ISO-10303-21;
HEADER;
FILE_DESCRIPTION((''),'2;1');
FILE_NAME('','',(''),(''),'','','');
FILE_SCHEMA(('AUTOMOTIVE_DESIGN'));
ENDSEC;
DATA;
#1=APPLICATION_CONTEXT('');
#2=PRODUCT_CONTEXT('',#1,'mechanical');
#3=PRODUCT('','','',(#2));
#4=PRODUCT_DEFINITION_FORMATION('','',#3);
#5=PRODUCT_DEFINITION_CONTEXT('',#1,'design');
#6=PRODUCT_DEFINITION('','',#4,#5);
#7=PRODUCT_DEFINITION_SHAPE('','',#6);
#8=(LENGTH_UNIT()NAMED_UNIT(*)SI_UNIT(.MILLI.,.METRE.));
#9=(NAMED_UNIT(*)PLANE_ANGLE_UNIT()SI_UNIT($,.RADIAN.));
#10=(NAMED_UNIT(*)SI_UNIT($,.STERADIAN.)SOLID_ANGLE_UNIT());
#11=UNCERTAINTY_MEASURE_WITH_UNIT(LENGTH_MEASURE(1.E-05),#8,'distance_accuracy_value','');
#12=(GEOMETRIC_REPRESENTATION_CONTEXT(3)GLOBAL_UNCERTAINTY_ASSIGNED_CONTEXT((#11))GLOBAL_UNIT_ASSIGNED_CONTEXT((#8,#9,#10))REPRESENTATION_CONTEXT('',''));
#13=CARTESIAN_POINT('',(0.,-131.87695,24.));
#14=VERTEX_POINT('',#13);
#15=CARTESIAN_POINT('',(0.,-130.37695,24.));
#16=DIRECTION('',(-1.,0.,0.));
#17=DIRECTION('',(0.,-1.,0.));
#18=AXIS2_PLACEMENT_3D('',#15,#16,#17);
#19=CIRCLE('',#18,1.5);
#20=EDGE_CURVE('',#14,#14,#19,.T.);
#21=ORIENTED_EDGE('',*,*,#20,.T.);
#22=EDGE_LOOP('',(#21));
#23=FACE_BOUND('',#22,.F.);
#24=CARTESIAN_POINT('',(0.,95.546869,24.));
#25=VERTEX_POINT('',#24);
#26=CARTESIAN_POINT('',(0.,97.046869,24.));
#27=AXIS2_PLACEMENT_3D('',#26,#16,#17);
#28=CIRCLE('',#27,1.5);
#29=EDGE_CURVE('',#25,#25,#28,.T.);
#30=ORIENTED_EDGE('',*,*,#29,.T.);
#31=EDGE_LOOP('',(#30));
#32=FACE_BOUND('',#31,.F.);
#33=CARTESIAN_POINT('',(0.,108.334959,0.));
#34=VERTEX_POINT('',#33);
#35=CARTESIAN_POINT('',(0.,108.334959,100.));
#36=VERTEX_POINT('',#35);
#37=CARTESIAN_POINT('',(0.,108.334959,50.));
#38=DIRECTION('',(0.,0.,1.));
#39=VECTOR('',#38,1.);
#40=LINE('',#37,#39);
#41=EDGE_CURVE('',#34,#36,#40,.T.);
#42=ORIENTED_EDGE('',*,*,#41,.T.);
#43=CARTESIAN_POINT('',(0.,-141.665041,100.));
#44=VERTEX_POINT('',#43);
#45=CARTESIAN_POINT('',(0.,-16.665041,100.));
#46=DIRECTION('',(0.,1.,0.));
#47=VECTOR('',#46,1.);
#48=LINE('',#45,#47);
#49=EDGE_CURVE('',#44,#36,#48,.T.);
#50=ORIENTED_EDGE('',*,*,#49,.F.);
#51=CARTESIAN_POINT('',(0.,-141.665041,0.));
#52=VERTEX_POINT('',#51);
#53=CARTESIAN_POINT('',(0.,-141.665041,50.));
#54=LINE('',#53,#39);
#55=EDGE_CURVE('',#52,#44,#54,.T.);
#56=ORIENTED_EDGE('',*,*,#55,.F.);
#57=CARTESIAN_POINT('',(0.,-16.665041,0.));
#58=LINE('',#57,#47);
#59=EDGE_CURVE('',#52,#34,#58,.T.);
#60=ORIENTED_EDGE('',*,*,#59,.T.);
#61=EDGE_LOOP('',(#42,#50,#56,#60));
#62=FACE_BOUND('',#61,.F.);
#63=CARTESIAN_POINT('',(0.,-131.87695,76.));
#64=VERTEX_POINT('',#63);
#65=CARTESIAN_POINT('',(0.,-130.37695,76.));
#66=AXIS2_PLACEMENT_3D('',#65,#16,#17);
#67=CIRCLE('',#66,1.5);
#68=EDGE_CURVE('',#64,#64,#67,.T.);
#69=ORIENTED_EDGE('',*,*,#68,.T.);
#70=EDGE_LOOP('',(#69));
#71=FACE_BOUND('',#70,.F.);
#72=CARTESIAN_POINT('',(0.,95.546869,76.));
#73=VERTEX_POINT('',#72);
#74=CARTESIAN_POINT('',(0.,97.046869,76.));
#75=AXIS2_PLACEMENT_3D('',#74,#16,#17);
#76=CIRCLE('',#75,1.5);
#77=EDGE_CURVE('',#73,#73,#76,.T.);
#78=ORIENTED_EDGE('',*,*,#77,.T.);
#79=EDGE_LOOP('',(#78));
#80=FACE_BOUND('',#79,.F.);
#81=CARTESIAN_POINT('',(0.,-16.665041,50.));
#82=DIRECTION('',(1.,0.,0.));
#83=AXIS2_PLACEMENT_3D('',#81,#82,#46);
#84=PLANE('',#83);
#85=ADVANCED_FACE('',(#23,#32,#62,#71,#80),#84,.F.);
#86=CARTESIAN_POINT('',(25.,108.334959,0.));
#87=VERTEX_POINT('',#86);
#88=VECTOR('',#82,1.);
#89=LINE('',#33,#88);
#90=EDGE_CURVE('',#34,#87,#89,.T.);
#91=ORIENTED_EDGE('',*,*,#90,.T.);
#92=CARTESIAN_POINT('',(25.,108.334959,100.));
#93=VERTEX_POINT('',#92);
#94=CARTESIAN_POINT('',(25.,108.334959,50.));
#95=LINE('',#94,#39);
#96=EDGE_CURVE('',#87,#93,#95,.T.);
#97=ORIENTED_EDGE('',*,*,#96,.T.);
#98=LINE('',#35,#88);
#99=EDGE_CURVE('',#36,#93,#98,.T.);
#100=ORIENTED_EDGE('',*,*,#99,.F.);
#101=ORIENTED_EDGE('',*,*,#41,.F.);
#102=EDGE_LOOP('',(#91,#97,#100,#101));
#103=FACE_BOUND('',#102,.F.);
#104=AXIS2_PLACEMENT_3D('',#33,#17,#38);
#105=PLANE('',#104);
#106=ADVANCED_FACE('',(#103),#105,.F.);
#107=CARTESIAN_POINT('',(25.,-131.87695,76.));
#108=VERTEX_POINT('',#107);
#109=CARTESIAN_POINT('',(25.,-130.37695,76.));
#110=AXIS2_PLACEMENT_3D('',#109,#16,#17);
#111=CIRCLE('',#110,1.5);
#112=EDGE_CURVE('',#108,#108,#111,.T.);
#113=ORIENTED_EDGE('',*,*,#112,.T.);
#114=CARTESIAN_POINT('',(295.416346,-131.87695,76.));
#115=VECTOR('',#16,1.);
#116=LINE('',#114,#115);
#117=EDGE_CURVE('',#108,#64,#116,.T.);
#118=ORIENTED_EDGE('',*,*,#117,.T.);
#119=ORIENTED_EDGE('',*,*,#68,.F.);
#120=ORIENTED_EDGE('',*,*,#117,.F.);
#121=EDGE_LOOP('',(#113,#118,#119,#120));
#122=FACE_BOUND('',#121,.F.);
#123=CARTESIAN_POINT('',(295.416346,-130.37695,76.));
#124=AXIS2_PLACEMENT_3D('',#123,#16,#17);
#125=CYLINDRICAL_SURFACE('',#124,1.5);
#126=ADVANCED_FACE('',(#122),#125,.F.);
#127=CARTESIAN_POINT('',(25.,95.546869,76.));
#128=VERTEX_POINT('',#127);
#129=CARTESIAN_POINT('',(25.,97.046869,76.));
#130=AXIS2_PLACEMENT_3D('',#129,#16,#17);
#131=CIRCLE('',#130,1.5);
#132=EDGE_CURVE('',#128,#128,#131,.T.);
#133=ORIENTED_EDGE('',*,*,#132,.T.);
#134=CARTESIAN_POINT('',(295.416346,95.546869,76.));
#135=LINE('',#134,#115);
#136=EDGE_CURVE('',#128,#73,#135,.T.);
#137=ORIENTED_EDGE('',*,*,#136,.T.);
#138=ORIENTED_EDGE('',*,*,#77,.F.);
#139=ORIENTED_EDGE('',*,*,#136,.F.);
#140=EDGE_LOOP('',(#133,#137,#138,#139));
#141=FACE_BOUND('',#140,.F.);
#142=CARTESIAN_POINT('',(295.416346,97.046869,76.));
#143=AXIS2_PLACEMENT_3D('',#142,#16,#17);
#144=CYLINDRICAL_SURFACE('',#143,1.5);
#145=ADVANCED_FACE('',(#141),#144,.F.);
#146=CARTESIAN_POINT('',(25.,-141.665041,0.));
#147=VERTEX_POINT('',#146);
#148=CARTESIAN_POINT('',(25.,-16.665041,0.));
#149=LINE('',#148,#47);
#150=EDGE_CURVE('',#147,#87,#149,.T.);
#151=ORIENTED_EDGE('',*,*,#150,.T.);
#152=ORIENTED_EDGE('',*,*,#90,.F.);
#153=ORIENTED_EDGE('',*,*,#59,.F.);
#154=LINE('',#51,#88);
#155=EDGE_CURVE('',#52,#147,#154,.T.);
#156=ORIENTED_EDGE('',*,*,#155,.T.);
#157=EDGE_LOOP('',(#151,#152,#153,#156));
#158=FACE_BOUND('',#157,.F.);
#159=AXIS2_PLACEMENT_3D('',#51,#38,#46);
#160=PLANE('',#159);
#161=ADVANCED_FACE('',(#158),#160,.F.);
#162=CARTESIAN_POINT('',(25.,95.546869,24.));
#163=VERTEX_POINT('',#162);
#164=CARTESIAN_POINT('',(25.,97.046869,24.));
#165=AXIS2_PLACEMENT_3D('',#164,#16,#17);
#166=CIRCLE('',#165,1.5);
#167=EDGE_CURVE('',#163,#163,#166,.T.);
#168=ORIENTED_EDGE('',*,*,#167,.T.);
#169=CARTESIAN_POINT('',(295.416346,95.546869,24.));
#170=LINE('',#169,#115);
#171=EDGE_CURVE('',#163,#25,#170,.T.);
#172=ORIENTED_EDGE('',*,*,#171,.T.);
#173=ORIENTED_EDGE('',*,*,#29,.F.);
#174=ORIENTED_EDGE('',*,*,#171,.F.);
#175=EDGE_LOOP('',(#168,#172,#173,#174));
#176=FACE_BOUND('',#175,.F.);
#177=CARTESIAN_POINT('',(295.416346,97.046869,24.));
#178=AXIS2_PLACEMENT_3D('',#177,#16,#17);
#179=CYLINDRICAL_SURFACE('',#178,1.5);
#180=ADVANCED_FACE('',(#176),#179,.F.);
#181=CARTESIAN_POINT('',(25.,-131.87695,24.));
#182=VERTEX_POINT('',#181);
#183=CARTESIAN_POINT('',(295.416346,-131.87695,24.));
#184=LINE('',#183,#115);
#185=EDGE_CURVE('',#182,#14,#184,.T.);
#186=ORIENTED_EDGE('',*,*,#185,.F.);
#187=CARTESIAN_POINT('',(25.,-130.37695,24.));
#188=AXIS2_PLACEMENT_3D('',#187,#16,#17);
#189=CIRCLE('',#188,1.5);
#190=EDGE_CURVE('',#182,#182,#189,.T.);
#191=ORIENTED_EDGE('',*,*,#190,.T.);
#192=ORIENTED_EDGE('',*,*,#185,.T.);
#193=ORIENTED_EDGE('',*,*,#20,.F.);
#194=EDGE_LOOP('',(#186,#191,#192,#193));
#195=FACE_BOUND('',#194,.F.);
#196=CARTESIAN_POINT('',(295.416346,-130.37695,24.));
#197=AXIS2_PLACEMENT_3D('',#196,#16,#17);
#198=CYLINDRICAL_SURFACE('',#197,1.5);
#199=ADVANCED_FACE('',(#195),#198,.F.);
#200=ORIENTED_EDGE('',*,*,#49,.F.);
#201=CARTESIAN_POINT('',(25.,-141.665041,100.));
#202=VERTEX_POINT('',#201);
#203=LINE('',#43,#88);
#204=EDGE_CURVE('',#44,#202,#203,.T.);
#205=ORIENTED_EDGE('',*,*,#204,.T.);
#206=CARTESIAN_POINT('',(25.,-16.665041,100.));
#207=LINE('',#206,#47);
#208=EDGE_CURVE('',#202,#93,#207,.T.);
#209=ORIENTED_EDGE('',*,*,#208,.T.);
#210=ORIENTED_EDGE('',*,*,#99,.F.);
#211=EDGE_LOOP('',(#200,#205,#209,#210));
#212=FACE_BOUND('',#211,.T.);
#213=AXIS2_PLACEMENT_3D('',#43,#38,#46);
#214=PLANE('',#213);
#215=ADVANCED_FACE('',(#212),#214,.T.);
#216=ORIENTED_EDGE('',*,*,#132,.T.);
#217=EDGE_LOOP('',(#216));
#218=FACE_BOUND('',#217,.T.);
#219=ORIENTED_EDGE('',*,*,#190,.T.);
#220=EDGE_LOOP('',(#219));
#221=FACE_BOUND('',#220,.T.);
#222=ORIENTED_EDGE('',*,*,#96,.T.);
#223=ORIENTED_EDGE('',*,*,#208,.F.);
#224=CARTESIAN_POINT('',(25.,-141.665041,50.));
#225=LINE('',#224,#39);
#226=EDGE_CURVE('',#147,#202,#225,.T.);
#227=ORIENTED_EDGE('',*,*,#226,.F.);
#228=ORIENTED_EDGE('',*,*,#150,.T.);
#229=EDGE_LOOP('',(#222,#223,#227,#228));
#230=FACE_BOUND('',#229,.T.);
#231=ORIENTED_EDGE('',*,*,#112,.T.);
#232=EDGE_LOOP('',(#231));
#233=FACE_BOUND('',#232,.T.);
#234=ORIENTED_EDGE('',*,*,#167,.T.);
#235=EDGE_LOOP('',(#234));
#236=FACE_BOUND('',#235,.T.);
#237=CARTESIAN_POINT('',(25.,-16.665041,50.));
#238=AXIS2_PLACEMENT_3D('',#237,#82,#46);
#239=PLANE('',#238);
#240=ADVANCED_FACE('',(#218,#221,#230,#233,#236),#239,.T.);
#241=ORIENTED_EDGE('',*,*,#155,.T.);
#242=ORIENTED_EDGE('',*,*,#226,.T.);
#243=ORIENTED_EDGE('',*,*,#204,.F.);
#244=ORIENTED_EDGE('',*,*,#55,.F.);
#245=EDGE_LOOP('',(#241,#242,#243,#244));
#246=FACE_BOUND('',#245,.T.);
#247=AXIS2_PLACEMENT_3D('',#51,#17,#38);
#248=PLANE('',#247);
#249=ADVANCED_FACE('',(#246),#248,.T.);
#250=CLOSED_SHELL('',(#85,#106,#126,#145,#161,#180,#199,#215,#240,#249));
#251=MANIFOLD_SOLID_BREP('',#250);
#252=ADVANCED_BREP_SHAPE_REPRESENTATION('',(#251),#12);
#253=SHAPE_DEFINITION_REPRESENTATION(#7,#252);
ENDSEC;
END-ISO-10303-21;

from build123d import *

# Parameters (mm, degrees)
F0_W     = 250
F0_H     = 100
F1_DEPTH = 25
F3_D     = 3


with BuildPart() as f1:
    # F0 (on Right) → F1 (new body)
    with BuildSketch(Plane.YZ):
        with Locations((-16.665041, 50)):
            Rectangle(F0_W, F0_H)
    extrude(amount=F1_DEPTH)

    # F3 (through all)
    with Locations(Plane.YZ.offset(25)):
        with Locations((-130.37695, 76), (-130.37695, 24), (97.046869, 76), (97.046869, 24)):
            Hole(F3_D / 2)


solid = f1.part
